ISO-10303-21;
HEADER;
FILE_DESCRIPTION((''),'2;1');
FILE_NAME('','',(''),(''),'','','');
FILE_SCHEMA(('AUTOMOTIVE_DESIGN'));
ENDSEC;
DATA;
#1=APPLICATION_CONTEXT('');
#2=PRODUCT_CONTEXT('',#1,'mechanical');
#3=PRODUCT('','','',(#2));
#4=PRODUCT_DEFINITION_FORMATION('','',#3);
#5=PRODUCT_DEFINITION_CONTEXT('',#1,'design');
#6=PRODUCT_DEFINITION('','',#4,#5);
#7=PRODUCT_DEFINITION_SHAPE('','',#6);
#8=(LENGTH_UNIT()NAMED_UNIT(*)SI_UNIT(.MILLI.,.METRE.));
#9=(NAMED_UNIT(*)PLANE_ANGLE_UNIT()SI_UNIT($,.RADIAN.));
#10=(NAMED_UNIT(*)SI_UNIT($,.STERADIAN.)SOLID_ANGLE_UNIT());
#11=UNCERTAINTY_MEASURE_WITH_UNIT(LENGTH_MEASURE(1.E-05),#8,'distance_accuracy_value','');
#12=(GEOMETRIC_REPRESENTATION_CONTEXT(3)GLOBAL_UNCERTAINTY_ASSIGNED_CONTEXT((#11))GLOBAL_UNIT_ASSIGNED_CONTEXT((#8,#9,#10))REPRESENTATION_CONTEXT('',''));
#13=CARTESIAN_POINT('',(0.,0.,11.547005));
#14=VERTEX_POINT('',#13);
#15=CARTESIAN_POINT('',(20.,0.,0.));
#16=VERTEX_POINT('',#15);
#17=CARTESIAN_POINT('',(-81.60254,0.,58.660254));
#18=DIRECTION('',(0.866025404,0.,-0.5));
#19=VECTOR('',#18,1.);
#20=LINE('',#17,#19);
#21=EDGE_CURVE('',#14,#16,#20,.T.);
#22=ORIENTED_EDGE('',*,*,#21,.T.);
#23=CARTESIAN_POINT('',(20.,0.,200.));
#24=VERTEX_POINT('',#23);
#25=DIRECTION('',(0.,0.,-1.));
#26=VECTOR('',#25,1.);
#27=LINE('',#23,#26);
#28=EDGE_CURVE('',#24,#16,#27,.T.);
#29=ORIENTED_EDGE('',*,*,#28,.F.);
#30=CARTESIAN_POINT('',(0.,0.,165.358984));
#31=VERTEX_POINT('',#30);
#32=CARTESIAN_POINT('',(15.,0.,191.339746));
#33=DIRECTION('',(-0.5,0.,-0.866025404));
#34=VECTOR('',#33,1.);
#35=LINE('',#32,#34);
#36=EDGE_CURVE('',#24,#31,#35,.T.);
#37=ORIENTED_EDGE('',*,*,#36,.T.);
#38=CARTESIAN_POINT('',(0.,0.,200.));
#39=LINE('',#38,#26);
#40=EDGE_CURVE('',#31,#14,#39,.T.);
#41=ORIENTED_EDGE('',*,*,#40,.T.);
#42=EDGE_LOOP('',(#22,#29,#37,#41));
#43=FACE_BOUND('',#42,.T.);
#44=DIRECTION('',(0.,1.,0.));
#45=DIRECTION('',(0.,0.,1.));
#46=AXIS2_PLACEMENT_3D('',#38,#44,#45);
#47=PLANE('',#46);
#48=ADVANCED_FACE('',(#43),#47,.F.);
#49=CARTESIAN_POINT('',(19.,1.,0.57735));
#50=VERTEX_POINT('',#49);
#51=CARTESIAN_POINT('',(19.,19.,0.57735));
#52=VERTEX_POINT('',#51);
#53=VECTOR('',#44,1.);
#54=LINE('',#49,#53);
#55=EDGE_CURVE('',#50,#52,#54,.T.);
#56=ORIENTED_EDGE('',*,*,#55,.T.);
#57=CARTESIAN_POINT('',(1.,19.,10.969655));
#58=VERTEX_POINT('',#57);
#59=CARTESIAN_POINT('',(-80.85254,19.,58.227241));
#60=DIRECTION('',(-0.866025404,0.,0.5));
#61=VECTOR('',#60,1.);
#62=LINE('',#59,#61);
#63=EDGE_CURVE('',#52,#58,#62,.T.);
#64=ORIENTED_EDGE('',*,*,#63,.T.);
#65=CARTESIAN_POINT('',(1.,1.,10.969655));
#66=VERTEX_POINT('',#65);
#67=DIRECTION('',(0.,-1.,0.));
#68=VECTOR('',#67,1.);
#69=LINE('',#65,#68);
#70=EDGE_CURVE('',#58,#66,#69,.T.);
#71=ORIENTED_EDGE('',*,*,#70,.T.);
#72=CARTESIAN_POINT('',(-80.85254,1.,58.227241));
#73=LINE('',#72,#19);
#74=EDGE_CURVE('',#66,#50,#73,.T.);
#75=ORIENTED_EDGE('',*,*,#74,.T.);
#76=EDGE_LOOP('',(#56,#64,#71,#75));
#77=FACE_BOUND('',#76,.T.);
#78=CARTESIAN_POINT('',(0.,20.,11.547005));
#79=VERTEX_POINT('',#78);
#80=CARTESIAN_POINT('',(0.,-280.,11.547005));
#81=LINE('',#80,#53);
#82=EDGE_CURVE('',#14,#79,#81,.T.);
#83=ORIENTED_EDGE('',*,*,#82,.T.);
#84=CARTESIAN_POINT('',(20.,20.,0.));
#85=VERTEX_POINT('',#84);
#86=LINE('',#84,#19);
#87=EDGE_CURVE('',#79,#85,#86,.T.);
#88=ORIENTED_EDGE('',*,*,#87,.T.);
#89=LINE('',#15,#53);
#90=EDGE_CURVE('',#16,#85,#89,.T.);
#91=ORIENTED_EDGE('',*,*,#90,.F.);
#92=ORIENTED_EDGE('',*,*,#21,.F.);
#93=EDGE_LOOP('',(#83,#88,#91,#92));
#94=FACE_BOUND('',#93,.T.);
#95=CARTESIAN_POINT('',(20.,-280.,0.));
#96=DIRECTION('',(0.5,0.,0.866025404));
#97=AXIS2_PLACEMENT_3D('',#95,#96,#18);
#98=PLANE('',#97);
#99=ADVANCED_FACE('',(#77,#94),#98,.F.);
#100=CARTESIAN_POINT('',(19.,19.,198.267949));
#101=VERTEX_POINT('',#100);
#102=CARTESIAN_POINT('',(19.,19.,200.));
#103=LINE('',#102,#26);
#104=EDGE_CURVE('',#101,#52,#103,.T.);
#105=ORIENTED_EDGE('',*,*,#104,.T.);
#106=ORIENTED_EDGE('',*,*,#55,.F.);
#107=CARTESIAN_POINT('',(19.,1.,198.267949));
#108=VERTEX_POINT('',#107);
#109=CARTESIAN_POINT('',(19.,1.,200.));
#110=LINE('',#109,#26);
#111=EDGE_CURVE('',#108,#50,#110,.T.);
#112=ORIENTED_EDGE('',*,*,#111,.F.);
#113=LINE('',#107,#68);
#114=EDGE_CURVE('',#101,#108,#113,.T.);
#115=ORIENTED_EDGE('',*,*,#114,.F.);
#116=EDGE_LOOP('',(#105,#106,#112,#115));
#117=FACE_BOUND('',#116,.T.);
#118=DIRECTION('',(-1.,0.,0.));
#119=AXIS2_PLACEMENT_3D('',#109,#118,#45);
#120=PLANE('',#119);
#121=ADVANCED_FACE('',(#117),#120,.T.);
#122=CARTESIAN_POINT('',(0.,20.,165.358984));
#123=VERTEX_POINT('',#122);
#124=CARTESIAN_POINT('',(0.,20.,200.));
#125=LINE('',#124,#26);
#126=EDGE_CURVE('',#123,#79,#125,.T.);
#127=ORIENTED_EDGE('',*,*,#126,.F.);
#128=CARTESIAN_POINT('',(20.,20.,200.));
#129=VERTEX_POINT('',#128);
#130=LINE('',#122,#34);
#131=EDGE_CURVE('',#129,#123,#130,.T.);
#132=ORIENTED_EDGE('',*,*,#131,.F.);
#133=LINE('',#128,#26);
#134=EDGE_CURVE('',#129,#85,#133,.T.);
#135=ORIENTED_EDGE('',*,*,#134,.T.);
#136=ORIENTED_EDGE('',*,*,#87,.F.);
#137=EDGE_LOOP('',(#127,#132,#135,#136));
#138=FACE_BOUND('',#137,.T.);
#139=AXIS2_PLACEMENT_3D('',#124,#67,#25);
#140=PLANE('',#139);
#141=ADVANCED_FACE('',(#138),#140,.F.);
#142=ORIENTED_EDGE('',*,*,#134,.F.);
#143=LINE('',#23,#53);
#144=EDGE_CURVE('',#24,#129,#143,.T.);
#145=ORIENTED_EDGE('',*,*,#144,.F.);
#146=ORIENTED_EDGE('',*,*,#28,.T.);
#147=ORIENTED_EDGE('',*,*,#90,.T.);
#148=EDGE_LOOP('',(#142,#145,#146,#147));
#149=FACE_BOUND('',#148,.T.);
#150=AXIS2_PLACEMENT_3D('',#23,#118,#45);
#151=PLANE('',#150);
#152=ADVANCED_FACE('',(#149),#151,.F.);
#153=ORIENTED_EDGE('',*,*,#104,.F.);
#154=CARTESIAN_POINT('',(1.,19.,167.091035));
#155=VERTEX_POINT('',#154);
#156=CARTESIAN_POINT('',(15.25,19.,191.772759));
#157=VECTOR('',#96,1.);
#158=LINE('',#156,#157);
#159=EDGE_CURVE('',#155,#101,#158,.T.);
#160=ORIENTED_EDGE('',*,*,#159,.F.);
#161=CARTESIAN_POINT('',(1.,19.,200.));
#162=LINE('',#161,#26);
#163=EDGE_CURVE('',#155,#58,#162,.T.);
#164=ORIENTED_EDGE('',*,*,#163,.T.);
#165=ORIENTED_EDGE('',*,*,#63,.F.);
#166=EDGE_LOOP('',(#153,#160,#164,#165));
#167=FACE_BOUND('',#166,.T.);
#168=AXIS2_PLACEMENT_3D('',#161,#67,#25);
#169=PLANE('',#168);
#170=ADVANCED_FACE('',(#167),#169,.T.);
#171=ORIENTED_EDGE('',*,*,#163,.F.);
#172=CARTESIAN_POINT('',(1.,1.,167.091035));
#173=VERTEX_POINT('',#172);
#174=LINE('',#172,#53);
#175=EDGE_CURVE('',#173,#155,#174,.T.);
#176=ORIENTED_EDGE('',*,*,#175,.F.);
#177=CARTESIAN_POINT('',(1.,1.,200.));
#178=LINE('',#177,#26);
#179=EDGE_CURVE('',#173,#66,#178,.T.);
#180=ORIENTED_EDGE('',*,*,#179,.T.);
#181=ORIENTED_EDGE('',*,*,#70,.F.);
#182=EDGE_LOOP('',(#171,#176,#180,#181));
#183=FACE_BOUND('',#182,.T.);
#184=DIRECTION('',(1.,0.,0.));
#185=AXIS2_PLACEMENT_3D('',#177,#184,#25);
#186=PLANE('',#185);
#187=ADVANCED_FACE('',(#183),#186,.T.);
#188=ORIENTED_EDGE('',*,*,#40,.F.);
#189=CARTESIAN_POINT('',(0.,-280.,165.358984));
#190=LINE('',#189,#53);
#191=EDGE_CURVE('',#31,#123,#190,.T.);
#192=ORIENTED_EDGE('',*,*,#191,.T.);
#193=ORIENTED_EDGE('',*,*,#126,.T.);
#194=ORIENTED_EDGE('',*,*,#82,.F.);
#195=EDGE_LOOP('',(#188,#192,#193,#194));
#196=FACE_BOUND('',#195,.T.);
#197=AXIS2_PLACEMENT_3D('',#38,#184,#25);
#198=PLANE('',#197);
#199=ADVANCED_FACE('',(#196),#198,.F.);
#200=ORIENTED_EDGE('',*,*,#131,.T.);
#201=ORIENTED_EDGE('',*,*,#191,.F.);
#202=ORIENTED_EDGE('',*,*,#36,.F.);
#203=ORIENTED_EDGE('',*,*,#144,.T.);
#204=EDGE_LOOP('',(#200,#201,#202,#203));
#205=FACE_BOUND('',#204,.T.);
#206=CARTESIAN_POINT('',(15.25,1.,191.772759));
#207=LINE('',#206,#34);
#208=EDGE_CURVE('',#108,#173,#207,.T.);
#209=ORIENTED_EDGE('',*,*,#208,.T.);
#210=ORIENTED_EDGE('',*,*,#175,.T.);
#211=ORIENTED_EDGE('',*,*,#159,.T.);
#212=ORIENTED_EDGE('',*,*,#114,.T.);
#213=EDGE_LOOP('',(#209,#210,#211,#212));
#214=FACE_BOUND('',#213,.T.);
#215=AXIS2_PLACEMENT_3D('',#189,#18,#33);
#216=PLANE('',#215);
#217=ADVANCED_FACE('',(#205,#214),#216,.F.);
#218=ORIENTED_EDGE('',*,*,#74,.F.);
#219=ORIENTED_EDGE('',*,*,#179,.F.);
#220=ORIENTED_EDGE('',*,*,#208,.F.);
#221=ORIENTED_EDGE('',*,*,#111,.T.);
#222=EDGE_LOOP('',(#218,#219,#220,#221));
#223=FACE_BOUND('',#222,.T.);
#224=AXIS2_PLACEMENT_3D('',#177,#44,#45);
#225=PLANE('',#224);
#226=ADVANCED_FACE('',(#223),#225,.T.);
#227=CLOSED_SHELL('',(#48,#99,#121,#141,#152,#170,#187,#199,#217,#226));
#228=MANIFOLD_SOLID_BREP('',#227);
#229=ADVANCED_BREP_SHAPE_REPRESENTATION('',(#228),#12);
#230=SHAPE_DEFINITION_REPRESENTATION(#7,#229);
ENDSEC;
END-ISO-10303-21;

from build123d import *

# Parameters (mm, degrees)
SKETCH_1_W          = 20
SKETCH_1_H          = 20
SKETCH_1_W_2        = 18
SKETCH_1_H_2        = 18
EXTRUDE_1_DEPTH     = 200
CUT_EXTRUDE_1_DEPTH = 300


with BuildPart() as part:
    # 草图1 → 凸台-拉伸1 (new body)
    with BuildSketch(Plane.XY):
        with Locations((10, 10)):
            Rectangle(SKETCH_1_W, SKETCH_1_H)
        with Locations((10, 10)):
            Rectangle(SKETCH_1_W_2, SKETCH_1_H_2, mode=Mode.SUBTRACT)
    extrude(amount=EXTRUDE_1_DEPTH)

    # 草图2 → 切除-拉伸1 (cut)
    with BuildSketch(Plane(origin=(0, 20, 0), x_dir=(1, 0, 0), z_dir=(0, 1, 0))):
        Polygon((20, 0), (0, -11.547005384), (0, 0), align=None)
        Polygon((0, -165.358983849), (20, -200), (0, -200), align=None)
    extrude(amount=-CUT_EXTRUDE_1_DEPTH, mode=Mode.SUBTRACT)


solid = part.part
